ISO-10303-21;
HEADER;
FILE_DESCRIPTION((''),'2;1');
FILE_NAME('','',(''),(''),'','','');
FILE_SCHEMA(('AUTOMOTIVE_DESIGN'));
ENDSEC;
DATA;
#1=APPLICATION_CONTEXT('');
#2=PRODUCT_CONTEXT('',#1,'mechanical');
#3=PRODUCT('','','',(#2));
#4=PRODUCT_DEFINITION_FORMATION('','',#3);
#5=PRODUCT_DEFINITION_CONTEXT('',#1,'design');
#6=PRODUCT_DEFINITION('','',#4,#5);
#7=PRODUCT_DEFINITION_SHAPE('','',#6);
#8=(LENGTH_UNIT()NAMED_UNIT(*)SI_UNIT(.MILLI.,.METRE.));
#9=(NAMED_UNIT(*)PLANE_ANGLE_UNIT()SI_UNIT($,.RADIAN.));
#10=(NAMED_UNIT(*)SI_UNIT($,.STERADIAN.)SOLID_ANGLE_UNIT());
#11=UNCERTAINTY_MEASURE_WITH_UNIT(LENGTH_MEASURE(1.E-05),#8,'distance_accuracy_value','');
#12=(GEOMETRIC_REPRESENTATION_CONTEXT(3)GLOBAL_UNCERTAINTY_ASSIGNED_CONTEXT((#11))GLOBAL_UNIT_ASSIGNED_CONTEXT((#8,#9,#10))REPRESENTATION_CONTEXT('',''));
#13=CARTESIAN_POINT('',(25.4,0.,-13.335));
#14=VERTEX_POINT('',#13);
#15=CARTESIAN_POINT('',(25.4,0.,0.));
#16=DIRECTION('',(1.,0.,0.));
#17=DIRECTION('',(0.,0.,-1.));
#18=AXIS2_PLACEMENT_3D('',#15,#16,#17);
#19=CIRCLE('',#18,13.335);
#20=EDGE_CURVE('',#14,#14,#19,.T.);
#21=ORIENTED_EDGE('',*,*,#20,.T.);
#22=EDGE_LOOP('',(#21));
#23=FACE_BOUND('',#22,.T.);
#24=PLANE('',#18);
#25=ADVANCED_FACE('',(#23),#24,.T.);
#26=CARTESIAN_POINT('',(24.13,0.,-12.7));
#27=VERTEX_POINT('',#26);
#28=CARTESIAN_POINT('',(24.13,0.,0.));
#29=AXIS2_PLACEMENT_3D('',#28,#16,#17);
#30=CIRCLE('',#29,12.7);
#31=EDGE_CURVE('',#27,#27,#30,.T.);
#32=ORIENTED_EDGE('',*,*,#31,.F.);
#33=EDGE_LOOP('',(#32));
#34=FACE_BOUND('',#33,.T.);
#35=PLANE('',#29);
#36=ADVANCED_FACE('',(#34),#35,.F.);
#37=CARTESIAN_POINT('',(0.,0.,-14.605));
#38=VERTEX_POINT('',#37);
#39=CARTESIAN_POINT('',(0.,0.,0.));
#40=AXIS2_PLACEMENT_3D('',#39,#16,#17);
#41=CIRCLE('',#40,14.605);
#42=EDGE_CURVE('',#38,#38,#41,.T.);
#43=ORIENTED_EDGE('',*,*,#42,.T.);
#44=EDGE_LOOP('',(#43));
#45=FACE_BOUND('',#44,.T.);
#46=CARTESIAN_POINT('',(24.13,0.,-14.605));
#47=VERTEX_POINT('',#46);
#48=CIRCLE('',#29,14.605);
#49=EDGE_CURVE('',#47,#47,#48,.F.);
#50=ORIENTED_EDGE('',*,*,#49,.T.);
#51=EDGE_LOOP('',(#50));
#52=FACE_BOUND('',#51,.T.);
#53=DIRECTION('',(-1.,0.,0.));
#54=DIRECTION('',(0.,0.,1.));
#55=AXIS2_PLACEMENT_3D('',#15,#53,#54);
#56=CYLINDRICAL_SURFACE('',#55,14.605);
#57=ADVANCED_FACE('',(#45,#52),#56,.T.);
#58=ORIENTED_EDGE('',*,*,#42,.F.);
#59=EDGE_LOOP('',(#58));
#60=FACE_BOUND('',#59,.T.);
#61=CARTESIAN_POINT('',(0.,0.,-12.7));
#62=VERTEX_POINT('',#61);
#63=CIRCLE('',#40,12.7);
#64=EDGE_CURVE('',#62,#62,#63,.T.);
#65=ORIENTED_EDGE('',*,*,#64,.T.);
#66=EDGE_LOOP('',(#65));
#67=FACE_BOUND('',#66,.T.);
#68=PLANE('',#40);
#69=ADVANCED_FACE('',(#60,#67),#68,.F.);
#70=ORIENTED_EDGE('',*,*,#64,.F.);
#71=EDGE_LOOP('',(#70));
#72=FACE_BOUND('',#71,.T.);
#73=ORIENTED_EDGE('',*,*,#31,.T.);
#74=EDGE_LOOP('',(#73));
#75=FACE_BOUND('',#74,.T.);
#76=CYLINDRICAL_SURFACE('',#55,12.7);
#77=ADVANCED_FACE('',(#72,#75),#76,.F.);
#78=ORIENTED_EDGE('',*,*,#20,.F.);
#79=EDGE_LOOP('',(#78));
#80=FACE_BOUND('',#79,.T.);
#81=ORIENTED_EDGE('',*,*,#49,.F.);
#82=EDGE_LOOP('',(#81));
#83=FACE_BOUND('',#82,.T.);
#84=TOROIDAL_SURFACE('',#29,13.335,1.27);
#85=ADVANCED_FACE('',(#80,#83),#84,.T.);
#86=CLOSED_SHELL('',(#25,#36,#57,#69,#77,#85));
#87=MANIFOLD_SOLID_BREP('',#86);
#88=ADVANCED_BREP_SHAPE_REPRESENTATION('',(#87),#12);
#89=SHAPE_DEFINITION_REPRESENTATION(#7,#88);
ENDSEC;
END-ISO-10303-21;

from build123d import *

# Parameters (mm, degrees)
SKETCH1_R           = 14.605
SKETCH1_R_2         = 12.7
BOSS_EXTRUDE1_DEPTH = 25.4
FILLET1_R           = 1.27
SKETCH3_R           = 12.7
BOSS_EXTRUDE2_DEPTH = 1.27


with BuildPart() as part:
    # Sketch1 → Boss-Extrude1 (new body)
    with BuildSketch(Plane(origin=(0, 0, 0), x_dir=(0, 0, -1), z_dir=(1, 0, 0))):
        Circle(SKETCH1_R)
        Circle(SKETCH1_R_2, mode=Mode.SUBTRACT)
    extrude(amount=BOSS_EXTRUDE1_DEPTH)

    # Fillet1
    fillet1_edges = [part.edges().sort_by_distance(p)[0] for p in [
        (25.4, 0, 14.605),
    ]]
    fillet(fillet1_edges, radius=FILLET1_R)

    # Sketch3 → Boss-Extrude2 (add)
    with BuildSketch(Plane(origin=(25.4, 0, 0), x_dir=(0, 0, -1), z_dir=(1, 0, 0))):
        Circle(SKETCH3_R)
    extrude(amount=-BOSS_EXTRUDE2_DEPTH)


solid = part.part
